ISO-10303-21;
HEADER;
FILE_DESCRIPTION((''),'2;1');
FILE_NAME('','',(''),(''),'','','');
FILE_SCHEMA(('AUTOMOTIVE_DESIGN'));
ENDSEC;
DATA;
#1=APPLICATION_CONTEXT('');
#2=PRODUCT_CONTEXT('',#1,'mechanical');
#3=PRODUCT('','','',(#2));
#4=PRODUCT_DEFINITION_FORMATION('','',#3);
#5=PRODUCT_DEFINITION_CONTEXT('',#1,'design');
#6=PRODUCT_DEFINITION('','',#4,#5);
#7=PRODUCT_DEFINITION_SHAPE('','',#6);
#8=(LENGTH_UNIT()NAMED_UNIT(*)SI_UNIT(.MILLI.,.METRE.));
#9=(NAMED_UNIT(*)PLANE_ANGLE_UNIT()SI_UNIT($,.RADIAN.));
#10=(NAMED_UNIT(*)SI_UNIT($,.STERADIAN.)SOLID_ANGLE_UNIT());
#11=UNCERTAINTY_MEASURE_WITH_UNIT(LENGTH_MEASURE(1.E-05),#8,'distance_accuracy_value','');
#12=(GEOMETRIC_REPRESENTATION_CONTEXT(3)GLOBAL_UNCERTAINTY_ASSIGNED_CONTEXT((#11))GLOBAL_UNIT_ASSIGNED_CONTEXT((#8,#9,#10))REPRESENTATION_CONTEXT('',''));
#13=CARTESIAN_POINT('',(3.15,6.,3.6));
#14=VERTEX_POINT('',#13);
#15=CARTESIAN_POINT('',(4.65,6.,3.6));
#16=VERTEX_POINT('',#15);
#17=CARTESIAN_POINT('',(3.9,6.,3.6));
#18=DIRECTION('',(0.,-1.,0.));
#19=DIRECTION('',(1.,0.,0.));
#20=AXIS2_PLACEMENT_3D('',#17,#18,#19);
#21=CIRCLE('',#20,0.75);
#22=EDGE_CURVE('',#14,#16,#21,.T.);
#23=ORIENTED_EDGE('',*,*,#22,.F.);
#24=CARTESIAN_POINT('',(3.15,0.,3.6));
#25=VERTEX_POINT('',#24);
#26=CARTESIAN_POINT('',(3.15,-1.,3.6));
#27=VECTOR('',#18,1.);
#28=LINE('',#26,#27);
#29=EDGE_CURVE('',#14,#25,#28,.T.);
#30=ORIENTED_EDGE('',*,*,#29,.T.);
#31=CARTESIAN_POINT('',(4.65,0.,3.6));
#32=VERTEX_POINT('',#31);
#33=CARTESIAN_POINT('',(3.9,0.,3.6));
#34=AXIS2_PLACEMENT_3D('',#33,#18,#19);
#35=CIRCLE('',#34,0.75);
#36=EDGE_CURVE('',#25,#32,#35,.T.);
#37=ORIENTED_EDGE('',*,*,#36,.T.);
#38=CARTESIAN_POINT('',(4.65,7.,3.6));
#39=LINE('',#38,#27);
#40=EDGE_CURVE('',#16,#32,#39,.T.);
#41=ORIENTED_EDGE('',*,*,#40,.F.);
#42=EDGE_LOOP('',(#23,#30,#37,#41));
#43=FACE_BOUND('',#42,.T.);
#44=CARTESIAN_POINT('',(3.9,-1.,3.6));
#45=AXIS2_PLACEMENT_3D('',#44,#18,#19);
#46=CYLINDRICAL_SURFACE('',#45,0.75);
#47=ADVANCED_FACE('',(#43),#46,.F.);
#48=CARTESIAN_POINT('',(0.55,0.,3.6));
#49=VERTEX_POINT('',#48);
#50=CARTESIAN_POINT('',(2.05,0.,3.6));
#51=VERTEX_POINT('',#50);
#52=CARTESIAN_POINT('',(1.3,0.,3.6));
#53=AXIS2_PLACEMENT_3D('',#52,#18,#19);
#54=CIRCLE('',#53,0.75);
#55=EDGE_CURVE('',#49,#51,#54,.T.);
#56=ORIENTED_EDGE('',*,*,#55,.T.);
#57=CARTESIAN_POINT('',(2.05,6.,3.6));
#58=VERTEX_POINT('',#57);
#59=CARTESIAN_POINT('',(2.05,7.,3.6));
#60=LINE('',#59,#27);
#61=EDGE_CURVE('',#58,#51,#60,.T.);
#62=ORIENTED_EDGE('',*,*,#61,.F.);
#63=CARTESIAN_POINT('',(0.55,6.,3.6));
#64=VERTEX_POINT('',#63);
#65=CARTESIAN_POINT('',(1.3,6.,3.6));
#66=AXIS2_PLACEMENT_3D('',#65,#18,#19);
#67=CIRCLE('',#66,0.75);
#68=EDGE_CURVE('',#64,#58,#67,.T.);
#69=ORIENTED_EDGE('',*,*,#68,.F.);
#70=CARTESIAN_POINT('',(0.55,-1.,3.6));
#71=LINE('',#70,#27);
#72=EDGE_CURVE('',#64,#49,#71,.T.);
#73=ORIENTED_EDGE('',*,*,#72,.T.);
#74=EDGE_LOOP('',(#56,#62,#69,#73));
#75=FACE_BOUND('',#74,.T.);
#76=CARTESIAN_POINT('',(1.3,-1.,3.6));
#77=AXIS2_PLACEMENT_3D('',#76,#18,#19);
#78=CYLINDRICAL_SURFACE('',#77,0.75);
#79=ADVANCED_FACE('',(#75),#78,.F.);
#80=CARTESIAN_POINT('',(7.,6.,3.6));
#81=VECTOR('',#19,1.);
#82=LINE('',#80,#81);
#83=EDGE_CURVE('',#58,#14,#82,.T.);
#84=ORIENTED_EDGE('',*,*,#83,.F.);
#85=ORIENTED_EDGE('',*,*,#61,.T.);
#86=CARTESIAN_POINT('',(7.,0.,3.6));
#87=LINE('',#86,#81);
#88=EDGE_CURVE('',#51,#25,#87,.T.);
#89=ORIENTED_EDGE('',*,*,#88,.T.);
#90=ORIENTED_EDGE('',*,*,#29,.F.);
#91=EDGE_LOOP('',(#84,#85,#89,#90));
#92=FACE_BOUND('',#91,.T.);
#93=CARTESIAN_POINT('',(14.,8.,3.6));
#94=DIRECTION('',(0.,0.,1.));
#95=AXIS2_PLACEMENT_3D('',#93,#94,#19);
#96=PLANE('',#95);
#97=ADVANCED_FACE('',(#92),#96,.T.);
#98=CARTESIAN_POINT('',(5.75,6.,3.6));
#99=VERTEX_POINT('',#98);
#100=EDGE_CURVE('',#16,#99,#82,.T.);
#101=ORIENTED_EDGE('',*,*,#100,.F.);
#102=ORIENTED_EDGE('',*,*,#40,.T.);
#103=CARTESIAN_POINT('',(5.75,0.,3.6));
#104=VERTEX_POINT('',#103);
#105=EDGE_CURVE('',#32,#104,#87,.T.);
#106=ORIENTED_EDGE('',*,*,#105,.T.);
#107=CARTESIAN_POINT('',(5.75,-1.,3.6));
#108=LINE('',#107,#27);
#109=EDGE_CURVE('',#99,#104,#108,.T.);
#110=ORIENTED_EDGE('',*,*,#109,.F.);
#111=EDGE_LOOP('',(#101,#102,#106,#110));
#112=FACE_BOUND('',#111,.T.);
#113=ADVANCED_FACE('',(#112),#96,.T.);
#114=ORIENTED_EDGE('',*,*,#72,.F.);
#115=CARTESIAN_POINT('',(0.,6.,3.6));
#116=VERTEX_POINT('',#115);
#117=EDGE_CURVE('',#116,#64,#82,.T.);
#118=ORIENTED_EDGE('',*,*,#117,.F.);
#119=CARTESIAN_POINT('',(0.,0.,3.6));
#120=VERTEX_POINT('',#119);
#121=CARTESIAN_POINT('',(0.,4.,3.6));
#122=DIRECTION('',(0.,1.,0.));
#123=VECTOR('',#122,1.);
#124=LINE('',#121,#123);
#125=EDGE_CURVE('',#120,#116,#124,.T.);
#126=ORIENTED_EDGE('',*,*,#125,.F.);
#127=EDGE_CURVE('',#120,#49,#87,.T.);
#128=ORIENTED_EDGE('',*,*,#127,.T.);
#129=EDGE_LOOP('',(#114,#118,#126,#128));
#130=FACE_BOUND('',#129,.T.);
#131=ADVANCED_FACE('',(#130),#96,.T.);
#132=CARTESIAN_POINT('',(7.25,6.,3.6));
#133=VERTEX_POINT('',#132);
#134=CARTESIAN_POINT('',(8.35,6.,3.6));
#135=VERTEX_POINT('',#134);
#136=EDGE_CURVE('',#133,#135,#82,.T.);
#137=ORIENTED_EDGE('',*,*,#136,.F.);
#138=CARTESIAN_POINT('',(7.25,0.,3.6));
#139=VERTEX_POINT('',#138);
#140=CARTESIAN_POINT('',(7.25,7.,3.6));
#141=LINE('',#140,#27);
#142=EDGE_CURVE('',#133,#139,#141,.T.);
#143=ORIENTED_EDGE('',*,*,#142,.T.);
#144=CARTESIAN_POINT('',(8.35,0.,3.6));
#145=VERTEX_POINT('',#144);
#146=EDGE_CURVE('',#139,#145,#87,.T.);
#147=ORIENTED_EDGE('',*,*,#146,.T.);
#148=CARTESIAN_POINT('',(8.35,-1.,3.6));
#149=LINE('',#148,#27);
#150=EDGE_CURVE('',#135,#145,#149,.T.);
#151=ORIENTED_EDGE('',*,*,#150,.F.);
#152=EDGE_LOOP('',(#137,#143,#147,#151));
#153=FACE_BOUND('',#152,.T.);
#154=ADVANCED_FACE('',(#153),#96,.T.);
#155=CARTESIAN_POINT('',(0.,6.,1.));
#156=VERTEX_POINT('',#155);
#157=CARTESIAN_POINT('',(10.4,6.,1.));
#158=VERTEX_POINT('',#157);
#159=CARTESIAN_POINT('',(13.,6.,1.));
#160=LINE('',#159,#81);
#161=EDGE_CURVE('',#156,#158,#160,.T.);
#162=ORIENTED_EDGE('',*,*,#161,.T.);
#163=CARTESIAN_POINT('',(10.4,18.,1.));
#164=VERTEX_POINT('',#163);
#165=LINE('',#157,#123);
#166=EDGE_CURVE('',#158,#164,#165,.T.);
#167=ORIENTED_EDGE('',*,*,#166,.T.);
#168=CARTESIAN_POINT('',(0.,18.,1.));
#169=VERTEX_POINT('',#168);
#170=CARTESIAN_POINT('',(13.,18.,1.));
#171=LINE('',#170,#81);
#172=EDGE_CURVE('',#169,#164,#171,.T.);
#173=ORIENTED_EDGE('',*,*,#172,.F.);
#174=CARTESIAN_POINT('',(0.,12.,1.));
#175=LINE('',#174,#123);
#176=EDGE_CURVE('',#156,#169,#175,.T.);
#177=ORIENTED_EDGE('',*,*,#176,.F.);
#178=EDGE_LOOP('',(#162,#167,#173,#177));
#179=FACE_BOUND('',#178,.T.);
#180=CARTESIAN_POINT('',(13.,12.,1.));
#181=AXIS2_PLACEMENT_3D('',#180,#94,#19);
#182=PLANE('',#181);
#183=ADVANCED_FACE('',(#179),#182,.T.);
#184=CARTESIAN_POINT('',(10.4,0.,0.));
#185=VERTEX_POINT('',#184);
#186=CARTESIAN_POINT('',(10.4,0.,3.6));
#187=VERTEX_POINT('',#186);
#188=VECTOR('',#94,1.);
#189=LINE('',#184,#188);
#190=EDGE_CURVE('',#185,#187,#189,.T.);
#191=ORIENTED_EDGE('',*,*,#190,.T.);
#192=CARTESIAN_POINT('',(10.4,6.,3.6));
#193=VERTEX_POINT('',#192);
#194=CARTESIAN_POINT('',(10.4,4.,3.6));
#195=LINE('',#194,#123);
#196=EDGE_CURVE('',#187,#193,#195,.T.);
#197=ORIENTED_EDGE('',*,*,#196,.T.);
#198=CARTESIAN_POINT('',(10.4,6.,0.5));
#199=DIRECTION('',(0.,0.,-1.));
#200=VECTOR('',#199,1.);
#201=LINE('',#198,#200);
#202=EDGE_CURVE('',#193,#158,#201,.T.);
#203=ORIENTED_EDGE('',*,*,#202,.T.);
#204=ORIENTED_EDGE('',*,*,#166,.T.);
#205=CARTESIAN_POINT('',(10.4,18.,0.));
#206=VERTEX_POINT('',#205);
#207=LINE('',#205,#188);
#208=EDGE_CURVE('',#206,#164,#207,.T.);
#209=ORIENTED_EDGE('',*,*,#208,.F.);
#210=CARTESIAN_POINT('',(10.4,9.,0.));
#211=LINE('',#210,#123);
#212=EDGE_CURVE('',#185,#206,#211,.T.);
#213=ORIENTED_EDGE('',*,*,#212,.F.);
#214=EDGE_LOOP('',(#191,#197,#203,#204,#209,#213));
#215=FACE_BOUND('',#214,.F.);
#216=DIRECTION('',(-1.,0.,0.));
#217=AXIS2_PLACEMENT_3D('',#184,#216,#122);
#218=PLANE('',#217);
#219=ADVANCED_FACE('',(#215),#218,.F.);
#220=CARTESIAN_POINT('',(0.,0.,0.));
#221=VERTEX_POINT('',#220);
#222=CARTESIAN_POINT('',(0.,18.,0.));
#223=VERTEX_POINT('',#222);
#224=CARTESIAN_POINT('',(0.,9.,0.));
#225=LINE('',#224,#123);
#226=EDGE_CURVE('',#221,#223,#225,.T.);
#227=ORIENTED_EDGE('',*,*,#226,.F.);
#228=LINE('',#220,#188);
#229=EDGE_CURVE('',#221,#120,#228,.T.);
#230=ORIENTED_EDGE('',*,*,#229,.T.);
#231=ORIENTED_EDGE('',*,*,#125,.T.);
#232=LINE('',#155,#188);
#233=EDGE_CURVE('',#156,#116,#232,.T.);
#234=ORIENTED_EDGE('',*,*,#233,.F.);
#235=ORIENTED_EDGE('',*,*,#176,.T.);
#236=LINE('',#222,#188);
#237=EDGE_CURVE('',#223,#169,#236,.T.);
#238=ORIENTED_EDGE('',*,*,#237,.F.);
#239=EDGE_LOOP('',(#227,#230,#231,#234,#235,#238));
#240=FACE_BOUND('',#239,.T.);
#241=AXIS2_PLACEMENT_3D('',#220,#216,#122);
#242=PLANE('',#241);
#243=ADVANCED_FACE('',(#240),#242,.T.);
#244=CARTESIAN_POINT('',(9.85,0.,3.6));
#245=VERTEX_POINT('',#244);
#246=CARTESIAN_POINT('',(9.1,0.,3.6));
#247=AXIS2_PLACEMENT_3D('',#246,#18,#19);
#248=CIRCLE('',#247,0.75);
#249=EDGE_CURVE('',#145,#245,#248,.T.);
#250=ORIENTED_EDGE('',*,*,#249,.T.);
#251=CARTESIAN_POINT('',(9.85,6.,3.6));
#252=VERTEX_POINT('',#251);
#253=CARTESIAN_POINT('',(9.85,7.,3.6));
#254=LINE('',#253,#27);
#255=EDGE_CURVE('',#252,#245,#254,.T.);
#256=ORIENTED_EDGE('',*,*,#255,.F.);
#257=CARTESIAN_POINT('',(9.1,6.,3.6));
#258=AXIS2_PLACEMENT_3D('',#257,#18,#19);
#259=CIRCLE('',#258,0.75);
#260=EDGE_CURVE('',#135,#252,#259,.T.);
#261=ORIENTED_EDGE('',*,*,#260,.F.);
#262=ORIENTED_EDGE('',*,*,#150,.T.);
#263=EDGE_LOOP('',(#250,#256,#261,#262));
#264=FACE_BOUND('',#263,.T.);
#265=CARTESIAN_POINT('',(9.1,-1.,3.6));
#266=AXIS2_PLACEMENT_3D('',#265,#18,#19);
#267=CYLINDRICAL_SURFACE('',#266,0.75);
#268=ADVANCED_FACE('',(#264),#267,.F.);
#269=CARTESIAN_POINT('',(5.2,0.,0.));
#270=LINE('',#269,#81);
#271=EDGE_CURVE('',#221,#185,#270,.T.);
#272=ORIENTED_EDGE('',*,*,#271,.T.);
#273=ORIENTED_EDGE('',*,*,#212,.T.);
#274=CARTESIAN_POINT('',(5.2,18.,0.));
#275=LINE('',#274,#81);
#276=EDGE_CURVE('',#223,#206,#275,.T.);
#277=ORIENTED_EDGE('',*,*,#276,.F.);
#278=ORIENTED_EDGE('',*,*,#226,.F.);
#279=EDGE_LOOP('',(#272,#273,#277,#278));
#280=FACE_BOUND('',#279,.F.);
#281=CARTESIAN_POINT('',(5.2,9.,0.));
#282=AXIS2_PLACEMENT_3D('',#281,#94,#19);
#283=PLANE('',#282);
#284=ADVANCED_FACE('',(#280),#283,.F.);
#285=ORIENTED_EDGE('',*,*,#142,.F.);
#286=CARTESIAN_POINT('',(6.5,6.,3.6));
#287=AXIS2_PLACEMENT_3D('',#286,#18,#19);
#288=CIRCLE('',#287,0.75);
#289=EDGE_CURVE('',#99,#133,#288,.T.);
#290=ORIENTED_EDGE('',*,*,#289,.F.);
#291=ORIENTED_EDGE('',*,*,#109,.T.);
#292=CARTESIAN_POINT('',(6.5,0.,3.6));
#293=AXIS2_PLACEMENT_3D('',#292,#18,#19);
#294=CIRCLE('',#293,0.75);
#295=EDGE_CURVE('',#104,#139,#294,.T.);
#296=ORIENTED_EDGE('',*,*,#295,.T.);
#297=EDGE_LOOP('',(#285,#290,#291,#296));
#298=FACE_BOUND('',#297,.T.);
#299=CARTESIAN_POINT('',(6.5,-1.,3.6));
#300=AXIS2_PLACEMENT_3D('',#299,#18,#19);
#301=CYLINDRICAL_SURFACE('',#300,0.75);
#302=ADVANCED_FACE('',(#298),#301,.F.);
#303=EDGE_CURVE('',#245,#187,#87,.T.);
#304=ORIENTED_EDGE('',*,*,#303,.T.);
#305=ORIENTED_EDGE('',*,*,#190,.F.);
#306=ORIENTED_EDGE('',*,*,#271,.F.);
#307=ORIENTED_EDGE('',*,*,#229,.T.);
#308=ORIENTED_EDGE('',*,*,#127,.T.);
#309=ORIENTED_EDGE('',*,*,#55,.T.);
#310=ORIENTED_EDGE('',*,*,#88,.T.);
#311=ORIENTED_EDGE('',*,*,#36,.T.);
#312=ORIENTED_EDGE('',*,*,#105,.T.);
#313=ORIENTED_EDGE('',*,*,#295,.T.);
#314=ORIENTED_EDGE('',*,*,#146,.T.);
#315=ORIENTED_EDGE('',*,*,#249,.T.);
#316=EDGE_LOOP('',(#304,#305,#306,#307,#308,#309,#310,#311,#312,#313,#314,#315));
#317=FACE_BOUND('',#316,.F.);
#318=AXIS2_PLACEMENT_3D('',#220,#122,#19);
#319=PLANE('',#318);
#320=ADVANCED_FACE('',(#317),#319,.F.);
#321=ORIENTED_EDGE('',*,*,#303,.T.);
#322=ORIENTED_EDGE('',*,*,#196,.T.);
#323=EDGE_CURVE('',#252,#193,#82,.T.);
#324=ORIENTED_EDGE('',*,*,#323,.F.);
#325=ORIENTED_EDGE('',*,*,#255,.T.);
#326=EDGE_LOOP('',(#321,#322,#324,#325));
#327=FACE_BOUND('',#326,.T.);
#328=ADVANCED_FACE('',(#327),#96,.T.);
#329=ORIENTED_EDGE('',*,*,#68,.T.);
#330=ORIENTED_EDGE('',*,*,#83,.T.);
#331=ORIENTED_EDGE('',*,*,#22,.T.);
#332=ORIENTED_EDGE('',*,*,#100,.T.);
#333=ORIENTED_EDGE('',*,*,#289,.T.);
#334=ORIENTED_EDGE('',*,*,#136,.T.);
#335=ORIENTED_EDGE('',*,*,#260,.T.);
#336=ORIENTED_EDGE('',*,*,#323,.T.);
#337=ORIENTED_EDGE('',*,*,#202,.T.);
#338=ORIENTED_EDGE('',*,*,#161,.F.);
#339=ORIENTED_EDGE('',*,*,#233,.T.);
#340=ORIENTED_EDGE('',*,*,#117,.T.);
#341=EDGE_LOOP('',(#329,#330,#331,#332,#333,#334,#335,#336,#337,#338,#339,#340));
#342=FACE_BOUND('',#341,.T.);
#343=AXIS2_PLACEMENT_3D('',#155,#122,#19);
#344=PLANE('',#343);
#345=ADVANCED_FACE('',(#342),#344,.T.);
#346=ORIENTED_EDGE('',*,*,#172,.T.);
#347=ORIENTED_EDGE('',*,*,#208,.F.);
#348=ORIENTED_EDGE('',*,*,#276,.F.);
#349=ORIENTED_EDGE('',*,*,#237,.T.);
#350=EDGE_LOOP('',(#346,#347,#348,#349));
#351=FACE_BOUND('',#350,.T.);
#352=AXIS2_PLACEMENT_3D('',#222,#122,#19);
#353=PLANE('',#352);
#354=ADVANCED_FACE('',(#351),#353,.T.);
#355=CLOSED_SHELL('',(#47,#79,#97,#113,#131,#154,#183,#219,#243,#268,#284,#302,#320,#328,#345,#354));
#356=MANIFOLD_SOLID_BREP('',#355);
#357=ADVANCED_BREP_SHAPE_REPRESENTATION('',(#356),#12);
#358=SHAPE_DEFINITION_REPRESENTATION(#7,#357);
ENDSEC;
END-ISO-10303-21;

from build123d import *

# Parameters (mm, degrees)
BOX023_W          = 30
BOX023_H          = 20
BOX023_DEPTH      = 9.2
BOX007_W          = 26
BOX007_H          = 12
BOX007_DEPTH      = 5.2
CYLINDER002_R     = 0.75
CYLINDER002_DEPTH = 7
ARRAY002_X_COUNT  = 4
ARRAY002_X_PITCH  = 2.6
ARRAY002_Y_COUNT  = 2
ARRAY002_Y_PITCH  = 1
BOX_W             = 10.4
BOX_H             = 18
BOX_DEPTH         = 7.2


with BuildPart() as cortador007:
    # Box023 → Box023 (new body)
    with BuildSketch(Plane(origin=(-1, -2, 3.6), x_dir=(1, 0, 0), z_dir=(0, 0, 1))):
        with Locations((15, 10)):
            Rectangle(BOX023_W, BOX023_H)
    extrude(amount=BOX023_DEPTH)


with BuildPart() as cube_10_base004:
    # Box007 → Box007 (new body)
    with BuildSketch(Plane(origin=(0, 6, 1), x_dir=(1, 0, 0), z_dir=(0, 0, 1))):
        with Locations((13, 6)):
            Rectangle(BOX007_W, BOX007_H)
    extrude(amount=BOX007_DEPTH)


with BuildPart() as array002:
    # Cylinder002 → Cylinder002 (new body)
    with BuildSketch(Plane(origin=(1.3, -1, 3.6), x_dir=(1, 0, 0), z_dir=(0, 1, 0))):
        Circle(CYLINDER002_R)
    extrude(amount=CYLINDER002_DEPTH)

    # Array002 X: Array002 ×4


with BuildPart() as array002_1:
    add(array002.part)
    with Locations(*[(i * ARRAY002_X_PITCH, 0, 0) for i in range(1, ARRAY002_X_COUNT)]):
        add(array002.part)

    # Array002 Y: Array002 ×2


with BuildPart() as array002_2:
    add(array002_1.part)
    with Locations(*[(0, i * ARRAY002_Y_PITCH, 0) for i in range(1, ARRAY002_Y_COUNT)]):
        add(array002_1.part)


with BuildPart() as bloque4_abajo:
    # Box → Box (new body)
    with BuildSketch(Plane.XY):
        with Locations((5.2, 9)):
            Rectangle(BOX_W, BOX_H)
    extrude(amount=BOX_DEPTH)

    # Cut002: cut Array002
    add(array002_2.part, mode=Mode.SUBTRACT)

    # Cut006: cut cube_10_base004
    add(cube_10_base004.part, mode=Mode.SUBTRACT)

    # Cut019: cut cortador007
    add(cortador007.part, mode=Mode.SUBTRACT)


solid = bloque4_abajo.part
